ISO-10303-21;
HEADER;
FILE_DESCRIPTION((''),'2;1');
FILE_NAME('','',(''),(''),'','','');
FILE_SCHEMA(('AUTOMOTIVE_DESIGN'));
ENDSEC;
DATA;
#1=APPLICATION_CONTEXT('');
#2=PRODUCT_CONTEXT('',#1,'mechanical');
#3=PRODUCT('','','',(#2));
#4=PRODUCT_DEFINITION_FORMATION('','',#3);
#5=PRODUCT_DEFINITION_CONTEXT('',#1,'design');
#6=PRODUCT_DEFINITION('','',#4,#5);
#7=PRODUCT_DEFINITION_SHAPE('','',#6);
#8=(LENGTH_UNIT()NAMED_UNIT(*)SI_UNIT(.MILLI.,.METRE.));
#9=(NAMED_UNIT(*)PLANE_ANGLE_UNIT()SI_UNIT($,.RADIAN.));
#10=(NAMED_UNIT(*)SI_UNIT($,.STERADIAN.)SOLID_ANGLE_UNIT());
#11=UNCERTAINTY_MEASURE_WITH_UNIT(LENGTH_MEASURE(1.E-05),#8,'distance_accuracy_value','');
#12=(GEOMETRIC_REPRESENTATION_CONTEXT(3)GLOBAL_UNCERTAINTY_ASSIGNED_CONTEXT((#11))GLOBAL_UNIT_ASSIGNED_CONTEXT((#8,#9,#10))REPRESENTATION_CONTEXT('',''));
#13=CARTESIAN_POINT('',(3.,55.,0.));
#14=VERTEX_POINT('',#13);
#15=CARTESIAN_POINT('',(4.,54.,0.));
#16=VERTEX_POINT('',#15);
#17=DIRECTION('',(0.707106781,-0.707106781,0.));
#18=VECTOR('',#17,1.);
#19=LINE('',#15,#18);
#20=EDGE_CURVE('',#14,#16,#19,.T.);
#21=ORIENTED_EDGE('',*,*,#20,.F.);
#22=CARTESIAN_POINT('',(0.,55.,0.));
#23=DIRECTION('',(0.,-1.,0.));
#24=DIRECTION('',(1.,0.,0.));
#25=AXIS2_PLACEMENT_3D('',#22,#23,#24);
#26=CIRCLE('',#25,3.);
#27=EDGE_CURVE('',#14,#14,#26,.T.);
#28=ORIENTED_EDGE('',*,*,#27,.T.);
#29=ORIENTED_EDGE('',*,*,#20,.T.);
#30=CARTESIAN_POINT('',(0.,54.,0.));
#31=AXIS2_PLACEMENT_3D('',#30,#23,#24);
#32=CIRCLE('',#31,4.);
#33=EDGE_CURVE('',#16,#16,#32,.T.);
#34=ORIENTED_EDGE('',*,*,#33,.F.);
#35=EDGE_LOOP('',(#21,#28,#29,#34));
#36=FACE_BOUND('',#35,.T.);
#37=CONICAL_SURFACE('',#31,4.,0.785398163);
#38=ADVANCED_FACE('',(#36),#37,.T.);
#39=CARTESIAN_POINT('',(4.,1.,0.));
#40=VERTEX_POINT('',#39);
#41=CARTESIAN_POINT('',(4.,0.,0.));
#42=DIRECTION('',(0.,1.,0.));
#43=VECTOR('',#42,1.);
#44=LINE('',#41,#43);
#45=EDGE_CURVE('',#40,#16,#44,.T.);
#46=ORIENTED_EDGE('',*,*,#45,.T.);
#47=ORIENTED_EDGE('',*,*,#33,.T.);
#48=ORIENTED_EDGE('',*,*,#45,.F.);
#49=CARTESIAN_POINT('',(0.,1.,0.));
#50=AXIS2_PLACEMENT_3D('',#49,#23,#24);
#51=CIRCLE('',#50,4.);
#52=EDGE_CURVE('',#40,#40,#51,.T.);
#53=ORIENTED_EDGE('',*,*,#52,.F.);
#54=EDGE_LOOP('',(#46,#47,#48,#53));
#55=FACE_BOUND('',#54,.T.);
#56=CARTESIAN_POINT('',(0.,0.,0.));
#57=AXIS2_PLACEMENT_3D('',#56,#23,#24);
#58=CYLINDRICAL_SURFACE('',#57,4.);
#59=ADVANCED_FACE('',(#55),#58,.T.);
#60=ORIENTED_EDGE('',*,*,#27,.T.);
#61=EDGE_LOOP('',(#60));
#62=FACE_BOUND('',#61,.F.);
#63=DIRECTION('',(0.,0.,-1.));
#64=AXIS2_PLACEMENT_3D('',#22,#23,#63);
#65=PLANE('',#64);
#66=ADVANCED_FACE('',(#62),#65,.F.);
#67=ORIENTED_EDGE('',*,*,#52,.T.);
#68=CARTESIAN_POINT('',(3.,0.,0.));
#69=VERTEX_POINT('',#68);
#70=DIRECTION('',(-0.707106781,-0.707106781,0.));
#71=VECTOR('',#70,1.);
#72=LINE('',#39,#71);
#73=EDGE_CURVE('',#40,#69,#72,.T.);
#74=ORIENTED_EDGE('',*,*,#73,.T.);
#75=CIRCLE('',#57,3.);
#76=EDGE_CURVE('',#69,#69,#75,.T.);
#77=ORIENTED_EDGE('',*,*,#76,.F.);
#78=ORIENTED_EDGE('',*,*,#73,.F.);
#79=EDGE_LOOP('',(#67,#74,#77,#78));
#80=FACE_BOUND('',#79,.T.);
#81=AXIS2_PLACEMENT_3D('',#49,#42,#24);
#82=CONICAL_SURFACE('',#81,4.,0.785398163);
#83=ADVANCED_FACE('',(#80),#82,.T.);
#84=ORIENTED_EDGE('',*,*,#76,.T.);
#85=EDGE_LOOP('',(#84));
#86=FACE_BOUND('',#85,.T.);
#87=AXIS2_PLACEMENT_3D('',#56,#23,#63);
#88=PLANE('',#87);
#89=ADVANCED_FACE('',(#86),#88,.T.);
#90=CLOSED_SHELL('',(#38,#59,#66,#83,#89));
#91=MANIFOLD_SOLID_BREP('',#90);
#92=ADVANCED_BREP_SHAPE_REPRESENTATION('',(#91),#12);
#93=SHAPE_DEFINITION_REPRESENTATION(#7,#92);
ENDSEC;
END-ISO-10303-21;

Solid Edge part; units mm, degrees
sketch "Sketch1" plane through (0, 0, 0) normal (0, -1, 0) x (1, 0, 0)
  circle A0 centre (0, 0) radius 4
extrude "Protrusion1" add sketch "Sketch1" against normal blind 55
chamfer "Chamfer_1" distance 1 angle 45 2 edges at (-4, 0, 0) (-4, 55, 0) measured on face at (-2.5867, 55, 2.7467)
cosmetic_thread "Thread1" size "Tr 8 x 2"
